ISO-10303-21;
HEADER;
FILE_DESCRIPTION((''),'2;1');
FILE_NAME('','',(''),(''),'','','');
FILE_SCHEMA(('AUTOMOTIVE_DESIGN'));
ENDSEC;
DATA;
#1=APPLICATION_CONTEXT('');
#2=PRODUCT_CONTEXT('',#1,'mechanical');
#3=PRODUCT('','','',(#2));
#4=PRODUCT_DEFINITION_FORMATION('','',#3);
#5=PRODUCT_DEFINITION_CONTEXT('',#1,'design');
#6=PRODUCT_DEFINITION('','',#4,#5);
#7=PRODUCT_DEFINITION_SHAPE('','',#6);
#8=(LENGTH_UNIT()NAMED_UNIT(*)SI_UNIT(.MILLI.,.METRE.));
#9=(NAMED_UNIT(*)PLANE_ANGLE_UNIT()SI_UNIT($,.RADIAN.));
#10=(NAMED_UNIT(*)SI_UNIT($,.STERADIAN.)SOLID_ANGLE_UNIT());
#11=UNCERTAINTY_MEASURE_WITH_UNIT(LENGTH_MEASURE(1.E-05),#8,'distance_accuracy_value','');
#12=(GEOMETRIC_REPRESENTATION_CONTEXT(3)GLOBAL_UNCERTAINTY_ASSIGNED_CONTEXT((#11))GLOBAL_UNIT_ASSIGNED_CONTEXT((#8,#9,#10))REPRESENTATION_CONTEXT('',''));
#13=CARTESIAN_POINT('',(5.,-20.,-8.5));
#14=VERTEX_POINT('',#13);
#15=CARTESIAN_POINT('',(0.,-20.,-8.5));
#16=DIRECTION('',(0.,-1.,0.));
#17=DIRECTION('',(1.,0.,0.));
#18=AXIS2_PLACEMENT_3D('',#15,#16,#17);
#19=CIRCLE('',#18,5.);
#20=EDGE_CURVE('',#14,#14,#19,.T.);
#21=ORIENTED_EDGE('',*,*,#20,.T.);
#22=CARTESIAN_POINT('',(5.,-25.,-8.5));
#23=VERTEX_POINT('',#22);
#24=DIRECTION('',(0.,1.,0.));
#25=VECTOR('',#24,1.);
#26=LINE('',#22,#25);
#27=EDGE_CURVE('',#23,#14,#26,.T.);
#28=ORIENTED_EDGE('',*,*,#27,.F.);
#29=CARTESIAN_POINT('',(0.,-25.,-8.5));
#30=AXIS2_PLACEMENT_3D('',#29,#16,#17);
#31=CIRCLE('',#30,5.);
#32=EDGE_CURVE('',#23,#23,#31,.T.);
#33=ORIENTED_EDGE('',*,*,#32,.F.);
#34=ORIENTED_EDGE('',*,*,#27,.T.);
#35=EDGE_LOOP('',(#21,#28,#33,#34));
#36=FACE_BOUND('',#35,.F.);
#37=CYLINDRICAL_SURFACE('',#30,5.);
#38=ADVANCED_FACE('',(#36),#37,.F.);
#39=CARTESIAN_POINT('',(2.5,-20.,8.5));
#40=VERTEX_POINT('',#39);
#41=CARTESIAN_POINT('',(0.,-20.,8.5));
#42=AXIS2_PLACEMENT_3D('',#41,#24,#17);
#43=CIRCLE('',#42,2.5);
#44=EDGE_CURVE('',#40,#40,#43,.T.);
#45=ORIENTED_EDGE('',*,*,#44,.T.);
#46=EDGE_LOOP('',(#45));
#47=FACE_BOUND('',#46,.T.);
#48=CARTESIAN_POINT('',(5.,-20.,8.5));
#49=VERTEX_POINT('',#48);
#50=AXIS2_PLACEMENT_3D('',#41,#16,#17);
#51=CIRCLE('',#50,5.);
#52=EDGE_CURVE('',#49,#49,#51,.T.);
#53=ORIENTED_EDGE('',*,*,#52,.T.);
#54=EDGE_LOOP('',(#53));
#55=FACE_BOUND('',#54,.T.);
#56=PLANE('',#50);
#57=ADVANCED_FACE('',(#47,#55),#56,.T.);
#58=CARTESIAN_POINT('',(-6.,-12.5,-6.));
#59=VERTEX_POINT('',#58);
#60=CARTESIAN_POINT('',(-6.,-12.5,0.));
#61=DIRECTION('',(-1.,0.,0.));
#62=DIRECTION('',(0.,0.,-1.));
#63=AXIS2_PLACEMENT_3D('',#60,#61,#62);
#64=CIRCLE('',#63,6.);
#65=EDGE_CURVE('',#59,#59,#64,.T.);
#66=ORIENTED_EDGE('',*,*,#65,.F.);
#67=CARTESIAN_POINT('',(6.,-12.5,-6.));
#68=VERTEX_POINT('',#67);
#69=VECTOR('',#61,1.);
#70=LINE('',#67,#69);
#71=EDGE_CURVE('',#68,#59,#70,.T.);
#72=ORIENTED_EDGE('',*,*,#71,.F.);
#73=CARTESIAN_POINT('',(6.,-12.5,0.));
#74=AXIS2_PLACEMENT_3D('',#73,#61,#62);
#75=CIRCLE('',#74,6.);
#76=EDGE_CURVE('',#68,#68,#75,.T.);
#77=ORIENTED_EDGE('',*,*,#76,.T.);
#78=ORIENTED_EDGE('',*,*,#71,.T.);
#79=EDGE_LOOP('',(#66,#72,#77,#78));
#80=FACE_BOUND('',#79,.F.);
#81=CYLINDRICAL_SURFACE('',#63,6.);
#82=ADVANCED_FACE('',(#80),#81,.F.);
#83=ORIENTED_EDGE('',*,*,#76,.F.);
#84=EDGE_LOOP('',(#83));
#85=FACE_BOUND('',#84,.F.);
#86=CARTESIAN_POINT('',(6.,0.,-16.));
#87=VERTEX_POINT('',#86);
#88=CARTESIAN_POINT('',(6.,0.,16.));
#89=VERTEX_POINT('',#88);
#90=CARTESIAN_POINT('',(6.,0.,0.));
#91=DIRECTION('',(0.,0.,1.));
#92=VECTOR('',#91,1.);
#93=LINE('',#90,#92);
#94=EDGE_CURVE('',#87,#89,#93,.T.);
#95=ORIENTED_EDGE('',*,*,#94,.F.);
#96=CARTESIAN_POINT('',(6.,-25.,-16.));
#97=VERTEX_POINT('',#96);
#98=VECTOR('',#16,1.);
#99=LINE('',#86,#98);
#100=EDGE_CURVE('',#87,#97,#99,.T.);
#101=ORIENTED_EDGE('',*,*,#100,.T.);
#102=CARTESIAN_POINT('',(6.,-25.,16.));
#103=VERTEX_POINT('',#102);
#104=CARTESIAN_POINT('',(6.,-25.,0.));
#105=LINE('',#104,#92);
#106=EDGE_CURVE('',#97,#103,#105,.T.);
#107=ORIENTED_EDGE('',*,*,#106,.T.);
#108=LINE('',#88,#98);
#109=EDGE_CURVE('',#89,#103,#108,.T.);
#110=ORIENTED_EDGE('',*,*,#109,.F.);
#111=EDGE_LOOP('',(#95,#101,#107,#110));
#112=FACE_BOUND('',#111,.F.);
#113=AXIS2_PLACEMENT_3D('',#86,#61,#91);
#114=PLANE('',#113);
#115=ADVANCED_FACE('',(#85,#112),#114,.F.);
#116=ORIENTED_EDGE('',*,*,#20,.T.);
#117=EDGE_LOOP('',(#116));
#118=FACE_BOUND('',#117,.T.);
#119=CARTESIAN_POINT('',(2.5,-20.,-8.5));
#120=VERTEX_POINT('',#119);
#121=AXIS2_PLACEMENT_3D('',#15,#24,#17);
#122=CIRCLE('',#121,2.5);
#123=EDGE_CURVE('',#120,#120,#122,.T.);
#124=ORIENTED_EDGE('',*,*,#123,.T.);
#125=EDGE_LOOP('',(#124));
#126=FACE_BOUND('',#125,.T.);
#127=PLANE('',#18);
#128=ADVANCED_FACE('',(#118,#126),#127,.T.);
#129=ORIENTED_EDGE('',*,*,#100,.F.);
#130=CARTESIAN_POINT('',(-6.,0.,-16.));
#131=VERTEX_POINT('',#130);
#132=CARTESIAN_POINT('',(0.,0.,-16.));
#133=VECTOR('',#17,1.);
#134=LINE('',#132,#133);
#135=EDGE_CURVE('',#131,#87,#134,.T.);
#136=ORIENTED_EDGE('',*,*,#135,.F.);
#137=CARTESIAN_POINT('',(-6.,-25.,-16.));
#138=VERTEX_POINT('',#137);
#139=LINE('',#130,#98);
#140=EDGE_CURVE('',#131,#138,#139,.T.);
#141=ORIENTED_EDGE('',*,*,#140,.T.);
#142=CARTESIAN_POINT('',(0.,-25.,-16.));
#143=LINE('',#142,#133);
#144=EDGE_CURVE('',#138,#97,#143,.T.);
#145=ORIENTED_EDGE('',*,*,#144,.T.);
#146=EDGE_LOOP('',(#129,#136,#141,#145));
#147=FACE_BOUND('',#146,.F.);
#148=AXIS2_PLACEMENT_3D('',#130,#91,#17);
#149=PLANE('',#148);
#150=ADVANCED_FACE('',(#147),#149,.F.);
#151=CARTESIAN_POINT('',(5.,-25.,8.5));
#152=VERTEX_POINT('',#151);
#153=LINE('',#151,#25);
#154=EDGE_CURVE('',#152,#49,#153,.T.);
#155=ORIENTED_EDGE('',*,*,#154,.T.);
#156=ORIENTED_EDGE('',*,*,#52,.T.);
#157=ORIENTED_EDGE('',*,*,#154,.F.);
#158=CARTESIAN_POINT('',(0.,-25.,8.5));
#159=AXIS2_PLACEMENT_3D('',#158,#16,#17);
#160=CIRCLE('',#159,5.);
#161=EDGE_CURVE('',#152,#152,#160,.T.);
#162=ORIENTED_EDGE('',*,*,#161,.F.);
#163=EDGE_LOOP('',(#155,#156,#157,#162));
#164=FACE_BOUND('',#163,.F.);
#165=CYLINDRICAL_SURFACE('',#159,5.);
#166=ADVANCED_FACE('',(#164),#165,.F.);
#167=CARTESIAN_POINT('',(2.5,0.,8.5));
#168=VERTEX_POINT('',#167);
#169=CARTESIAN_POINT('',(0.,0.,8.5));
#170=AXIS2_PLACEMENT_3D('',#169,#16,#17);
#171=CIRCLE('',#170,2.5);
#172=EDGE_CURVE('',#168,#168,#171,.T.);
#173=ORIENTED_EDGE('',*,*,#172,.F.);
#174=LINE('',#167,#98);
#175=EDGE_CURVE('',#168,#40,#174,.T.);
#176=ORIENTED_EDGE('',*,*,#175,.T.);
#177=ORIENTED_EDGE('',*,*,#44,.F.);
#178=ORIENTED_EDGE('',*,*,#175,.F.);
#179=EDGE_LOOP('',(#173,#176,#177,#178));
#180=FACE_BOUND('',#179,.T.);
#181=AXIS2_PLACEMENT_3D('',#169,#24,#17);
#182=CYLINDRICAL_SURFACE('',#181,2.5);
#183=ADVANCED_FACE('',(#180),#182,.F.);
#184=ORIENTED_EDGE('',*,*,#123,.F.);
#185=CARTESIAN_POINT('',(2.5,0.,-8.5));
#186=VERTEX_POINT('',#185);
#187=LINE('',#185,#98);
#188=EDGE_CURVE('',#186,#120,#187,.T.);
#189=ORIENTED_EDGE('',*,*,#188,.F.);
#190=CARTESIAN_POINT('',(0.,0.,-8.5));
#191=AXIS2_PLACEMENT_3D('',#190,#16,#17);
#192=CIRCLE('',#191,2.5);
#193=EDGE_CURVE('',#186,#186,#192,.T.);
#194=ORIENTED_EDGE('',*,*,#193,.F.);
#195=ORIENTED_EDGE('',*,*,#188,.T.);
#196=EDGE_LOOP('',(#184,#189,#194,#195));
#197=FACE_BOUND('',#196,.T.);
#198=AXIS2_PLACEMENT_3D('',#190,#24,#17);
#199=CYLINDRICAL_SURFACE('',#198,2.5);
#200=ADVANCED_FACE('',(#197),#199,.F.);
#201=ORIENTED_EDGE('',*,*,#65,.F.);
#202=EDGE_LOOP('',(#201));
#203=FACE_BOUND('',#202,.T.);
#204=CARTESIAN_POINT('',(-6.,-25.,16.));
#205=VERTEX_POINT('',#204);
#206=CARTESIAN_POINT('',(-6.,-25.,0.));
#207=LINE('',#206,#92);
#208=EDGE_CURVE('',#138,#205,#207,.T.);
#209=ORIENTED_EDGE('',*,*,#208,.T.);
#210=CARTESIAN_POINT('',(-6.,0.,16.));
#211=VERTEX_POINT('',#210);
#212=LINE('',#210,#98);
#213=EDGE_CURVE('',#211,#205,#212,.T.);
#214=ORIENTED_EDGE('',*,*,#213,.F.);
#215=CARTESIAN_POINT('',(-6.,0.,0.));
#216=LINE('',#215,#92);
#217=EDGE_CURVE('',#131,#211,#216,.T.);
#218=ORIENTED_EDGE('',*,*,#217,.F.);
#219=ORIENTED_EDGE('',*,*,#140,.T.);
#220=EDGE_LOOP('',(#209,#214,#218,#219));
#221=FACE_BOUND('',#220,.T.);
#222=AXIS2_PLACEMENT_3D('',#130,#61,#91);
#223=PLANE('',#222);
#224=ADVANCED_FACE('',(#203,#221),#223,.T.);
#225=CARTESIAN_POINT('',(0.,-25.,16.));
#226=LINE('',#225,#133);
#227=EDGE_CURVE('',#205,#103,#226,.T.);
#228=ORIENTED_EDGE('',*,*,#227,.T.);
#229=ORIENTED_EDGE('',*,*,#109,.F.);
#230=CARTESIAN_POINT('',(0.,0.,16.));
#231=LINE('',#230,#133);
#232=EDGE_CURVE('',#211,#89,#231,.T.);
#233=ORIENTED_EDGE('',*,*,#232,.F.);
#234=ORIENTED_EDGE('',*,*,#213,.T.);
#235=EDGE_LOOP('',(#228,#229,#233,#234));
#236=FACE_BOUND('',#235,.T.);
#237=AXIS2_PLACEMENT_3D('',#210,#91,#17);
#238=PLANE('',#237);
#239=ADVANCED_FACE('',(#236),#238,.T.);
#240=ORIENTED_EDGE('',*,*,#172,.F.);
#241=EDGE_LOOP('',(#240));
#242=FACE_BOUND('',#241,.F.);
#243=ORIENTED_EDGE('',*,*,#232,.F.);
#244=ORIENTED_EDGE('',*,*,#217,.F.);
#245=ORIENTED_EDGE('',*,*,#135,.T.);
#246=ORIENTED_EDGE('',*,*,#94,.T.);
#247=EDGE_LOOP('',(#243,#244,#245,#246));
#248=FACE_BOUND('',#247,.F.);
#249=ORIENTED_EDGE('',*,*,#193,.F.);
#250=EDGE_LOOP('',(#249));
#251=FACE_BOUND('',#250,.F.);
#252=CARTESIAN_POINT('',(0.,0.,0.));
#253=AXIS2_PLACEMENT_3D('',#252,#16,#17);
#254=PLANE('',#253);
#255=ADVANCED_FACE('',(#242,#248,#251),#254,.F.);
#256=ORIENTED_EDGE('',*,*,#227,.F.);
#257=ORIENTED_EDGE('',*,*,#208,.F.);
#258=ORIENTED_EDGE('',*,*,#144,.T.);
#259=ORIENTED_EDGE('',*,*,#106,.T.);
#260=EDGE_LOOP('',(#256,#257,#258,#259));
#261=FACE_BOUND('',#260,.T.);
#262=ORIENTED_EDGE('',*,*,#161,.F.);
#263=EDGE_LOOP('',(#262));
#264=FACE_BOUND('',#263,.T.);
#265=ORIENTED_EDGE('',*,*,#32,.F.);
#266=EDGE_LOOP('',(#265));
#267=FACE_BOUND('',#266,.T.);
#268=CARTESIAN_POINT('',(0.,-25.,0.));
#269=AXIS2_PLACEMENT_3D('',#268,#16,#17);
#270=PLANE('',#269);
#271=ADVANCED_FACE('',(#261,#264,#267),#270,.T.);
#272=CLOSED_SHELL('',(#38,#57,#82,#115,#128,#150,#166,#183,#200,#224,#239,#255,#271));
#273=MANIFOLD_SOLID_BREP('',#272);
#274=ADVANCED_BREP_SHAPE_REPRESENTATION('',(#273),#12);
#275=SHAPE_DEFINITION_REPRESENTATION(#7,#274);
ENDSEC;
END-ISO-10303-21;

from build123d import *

# Parameters (mm, degrees)
SKETCH_W        = 12
SKETCH_H        = 32
SKETCH_R        = 2.5
PAD_DEPTH       = 25
SKETCH001_R     = 6
POCKET_DEPTH    = 12
SKETCH002_R     = 5
POCKET001_DEPTH = 5


with BuildPart() as part:
    # Sketch → Pad (new body)
    with BuildSketch(Plane.XZ):
        Rectangle(SKETCH_W, SKETCH_H)
        with Locations((0, 8.5)):
            Circle(SKETCH_R, mode=Mode.SUBTRACT)
        with Locations((0, -8.5)):
            Circle(SKETCH_R, mode=Mode.SUBTRACT)
    extrude(amount=PAD_DEPTH)

    # Sketch001 → Pocket (cut)
    with BuildSketch(Plane(origin=(-6, 0, 0), x_dir=(0, 0, -1), z_dir=(-1, 0, 0))):
        with Locations((0, 12.5)):
            Circle(SKETCH001_R)
    extrude(amount=-POCKET_DEPTH, mode=Mode.SUBTRACT)

    # Sketch002 → Pocket001 (cut)
    with BuildSketch(Plane.XZ.offset(25)):
        with Locations((0, 8.5)):
            Circle(SKETCH002_R)
        with Locations((0, -8.5)):
            Circle(SKETCH002_R)
    extrude(amount=-POCKET001_DEPTH, mode=Mode.SUBTRACT)


solid = part.part
